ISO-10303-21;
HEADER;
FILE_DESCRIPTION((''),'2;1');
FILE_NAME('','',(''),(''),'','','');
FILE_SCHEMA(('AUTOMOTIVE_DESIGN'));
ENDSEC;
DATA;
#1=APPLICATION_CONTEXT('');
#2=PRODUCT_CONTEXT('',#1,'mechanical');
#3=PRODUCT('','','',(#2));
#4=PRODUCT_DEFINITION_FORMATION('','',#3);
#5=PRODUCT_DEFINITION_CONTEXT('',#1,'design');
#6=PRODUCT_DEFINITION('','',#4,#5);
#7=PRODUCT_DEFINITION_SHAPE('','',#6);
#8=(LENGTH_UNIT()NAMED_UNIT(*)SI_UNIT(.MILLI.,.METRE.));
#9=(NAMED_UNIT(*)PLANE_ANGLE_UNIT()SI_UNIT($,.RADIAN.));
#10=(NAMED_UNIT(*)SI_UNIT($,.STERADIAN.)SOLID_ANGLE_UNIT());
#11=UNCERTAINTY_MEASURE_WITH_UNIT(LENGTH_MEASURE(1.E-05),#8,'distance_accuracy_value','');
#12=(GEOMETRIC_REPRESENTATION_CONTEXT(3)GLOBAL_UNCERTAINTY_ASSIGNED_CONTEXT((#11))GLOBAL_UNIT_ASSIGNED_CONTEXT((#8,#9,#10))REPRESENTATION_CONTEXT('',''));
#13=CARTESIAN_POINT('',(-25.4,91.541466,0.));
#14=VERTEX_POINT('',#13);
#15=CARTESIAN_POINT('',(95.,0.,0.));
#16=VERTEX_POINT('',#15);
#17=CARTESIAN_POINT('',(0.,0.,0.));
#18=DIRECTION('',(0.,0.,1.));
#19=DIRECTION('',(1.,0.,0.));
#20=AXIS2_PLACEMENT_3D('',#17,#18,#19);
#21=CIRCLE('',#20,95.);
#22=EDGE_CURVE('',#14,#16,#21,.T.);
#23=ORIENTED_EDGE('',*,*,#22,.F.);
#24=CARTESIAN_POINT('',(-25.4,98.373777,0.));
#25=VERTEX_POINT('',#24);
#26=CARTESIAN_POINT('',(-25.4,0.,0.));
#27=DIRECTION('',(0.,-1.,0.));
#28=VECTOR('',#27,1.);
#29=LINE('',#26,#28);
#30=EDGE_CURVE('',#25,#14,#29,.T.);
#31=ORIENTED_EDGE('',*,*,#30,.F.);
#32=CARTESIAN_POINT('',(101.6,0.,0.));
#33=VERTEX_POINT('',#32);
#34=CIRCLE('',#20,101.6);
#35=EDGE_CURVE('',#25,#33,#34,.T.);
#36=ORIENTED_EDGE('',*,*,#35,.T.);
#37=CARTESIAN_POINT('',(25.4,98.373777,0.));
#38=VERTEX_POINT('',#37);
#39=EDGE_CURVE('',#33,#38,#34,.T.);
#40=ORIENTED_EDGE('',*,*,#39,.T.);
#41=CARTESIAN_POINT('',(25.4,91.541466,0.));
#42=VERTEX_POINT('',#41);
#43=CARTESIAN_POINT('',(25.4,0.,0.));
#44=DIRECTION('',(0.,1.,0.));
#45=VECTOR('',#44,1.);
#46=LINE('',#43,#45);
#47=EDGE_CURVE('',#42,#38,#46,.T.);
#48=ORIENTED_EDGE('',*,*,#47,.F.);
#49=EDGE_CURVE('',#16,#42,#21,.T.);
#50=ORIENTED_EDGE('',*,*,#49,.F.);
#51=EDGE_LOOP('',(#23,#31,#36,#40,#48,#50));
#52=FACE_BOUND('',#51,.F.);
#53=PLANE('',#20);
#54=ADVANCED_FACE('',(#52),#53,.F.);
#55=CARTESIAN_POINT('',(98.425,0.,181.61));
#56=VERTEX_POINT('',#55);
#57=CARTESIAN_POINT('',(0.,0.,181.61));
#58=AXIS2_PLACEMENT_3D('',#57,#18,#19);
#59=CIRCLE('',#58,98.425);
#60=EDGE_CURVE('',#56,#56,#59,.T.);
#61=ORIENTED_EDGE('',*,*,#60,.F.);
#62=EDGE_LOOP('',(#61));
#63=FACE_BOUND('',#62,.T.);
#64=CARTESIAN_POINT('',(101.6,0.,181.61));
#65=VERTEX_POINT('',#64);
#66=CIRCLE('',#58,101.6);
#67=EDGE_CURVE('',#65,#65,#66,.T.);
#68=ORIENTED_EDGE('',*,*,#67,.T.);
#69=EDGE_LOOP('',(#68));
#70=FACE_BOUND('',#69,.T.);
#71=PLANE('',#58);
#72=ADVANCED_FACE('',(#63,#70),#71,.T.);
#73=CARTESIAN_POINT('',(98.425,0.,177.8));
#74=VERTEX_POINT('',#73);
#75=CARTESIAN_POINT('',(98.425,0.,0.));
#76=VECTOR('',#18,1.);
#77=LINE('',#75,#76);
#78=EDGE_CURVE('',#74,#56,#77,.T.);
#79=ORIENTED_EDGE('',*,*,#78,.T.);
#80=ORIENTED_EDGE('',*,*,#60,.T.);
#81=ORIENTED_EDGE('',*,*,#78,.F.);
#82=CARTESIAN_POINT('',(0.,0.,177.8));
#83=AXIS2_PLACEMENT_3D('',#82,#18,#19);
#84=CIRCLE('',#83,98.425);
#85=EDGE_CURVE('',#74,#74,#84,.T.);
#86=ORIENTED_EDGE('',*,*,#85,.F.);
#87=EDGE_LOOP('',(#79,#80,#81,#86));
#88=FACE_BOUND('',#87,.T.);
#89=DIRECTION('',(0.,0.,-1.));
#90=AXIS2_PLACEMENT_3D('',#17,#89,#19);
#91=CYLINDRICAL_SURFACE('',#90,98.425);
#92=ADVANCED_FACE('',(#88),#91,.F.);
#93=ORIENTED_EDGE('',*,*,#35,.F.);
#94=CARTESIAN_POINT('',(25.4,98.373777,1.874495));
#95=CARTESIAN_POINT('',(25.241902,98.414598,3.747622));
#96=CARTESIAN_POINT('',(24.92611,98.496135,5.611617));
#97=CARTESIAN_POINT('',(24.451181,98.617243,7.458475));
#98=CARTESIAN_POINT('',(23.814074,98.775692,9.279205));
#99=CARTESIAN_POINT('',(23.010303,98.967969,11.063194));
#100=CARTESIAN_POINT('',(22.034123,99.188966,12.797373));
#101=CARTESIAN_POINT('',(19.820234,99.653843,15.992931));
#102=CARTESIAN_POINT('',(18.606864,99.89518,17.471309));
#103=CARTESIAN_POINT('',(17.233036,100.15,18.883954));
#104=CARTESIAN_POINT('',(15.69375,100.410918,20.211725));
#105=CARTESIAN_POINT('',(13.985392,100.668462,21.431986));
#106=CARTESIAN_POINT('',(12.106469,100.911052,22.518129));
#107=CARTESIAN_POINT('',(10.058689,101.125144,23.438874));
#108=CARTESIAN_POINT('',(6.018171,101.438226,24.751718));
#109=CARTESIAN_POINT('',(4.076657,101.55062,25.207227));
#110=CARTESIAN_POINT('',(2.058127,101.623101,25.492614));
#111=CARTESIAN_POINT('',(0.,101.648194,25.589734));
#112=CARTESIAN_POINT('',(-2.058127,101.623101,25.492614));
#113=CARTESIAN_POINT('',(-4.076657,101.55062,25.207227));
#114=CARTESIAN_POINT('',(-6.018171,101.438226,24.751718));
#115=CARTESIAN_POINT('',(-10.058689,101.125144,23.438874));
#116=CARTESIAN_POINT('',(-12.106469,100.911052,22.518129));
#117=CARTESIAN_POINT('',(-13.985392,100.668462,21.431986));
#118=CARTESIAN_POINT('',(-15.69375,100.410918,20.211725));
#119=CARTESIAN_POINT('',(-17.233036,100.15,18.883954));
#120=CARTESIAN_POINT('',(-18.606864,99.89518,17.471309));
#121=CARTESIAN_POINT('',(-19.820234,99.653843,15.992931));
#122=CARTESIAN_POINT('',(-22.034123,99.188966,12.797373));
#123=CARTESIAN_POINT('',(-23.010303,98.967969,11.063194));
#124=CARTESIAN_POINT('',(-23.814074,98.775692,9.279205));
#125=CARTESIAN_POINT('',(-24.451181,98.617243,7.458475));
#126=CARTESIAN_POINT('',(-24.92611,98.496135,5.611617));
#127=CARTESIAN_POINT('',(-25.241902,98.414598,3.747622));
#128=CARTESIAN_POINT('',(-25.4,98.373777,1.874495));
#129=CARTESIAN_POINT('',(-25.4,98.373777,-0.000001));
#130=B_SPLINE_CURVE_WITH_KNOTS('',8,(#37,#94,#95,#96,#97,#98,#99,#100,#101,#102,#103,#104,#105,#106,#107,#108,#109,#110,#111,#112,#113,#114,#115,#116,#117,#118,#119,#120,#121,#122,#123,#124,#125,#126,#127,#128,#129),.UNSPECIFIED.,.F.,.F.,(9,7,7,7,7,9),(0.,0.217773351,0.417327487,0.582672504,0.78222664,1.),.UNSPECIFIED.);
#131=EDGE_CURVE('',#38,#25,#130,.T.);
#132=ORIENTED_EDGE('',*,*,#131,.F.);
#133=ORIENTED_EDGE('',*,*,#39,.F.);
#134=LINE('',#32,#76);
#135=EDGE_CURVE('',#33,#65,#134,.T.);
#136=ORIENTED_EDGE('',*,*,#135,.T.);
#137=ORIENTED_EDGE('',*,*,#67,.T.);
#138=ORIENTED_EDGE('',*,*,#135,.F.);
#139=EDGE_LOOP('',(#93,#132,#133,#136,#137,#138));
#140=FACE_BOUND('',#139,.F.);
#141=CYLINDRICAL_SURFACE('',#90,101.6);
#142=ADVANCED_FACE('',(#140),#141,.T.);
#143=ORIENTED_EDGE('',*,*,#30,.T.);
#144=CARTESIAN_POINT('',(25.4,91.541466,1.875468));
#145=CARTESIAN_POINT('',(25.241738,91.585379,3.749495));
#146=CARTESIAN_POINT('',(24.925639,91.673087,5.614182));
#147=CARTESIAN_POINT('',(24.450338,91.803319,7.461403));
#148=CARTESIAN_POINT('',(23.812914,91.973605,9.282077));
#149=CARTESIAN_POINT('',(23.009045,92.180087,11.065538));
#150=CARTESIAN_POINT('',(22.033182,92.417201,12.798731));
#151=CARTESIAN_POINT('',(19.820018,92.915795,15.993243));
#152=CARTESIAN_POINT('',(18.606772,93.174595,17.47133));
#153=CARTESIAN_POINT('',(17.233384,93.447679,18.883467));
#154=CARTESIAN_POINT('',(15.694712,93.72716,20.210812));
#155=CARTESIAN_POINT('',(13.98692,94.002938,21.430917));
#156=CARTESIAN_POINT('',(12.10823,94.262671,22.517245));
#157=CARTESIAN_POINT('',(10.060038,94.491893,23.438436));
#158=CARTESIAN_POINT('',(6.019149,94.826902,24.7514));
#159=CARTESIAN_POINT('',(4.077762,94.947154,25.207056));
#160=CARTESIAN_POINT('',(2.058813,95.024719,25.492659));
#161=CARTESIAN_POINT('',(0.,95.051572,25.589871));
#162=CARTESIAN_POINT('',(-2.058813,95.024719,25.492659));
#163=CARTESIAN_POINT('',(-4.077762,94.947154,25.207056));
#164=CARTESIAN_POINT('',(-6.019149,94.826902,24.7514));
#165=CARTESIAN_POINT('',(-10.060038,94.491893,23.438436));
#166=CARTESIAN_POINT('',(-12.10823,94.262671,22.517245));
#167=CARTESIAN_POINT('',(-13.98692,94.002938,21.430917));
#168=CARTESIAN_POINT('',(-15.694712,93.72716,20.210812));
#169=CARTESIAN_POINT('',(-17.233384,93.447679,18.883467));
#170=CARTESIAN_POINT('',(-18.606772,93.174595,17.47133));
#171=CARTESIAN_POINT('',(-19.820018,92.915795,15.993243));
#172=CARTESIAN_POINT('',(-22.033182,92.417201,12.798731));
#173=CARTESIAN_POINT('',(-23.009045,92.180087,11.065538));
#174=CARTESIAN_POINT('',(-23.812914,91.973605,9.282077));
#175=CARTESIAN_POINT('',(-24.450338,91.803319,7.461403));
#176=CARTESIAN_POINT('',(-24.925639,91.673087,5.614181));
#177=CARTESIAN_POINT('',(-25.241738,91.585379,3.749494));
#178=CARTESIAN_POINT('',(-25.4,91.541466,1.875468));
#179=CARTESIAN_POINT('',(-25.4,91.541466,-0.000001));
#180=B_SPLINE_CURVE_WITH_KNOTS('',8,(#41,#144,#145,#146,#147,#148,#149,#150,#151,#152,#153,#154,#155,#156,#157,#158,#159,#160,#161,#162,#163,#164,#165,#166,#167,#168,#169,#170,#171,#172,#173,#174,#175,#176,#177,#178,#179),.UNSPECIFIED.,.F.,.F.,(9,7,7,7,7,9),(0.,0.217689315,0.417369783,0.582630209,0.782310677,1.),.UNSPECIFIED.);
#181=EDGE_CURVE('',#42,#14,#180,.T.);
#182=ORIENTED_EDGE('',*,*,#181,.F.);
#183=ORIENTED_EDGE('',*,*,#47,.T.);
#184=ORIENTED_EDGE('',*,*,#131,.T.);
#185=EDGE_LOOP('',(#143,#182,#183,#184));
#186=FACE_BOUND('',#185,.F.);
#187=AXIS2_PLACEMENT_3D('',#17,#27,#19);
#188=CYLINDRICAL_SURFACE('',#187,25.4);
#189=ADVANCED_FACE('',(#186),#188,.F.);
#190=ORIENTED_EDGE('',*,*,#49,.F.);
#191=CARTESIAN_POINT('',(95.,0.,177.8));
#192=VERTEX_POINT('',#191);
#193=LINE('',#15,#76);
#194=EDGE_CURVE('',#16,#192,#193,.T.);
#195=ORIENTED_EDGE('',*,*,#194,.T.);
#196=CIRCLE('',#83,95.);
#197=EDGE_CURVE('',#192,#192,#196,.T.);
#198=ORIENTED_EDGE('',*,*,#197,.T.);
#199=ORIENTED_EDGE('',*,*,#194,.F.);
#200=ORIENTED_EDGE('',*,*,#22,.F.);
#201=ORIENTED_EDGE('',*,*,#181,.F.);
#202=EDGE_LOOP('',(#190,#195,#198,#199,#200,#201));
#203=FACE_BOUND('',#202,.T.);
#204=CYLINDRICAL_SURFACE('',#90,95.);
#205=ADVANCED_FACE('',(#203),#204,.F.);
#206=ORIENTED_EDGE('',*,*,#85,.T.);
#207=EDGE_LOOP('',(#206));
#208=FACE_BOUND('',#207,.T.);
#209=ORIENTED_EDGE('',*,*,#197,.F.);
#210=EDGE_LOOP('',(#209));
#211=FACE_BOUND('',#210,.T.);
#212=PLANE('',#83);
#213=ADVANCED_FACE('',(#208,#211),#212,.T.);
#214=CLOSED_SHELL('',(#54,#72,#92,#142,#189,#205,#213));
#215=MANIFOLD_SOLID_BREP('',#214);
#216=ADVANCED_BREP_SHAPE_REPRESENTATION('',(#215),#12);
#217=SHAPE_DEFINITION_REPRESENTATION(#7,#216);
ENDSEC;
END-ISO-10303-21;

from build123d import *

# Parameters (mm, degrees)
F0_R     = 101.6
F0_R_2   = 98.425
F1_DEPTH = 181.61
F0_R_3   = 95
F2_DEPTH = 177.8
F4_DEPTH = 101.601


with BuildPart() as f1:
    # F0 (on Top) → F1 (new body)
    with BuildSketch(Plane.XY):
        Circle(F0_R)
        Circle(F0_R_2, mode=Mode.SUBTRACT)
    extrude(amount=F1_DEPTH)

    # F0 (on Top) → F2 (join)
    with BuildSketch(Plane.XY):
        Circle(F0_R_2)
        Circle(F0_R_3, mode=Mode.SUBTRACT)
    extrude(amount=F2_DEPTH)

    # F3 (on Front) → F4 (cut, through all)
    with BuildSketch(Plane.XZ):
        with BuildLine():
            ThreePointArc((0, -25.4), (17.9605122421, -17.9605122421), (25.4, 0))
            ThreePointArc((25.4, 0), (-17.9605122421, 17.9605122421), (0, -25.4))
        make_face()
    extrude(amount=-F4_DEPTH, mode=Mode.SUBTRACT)


solid = f1.part
